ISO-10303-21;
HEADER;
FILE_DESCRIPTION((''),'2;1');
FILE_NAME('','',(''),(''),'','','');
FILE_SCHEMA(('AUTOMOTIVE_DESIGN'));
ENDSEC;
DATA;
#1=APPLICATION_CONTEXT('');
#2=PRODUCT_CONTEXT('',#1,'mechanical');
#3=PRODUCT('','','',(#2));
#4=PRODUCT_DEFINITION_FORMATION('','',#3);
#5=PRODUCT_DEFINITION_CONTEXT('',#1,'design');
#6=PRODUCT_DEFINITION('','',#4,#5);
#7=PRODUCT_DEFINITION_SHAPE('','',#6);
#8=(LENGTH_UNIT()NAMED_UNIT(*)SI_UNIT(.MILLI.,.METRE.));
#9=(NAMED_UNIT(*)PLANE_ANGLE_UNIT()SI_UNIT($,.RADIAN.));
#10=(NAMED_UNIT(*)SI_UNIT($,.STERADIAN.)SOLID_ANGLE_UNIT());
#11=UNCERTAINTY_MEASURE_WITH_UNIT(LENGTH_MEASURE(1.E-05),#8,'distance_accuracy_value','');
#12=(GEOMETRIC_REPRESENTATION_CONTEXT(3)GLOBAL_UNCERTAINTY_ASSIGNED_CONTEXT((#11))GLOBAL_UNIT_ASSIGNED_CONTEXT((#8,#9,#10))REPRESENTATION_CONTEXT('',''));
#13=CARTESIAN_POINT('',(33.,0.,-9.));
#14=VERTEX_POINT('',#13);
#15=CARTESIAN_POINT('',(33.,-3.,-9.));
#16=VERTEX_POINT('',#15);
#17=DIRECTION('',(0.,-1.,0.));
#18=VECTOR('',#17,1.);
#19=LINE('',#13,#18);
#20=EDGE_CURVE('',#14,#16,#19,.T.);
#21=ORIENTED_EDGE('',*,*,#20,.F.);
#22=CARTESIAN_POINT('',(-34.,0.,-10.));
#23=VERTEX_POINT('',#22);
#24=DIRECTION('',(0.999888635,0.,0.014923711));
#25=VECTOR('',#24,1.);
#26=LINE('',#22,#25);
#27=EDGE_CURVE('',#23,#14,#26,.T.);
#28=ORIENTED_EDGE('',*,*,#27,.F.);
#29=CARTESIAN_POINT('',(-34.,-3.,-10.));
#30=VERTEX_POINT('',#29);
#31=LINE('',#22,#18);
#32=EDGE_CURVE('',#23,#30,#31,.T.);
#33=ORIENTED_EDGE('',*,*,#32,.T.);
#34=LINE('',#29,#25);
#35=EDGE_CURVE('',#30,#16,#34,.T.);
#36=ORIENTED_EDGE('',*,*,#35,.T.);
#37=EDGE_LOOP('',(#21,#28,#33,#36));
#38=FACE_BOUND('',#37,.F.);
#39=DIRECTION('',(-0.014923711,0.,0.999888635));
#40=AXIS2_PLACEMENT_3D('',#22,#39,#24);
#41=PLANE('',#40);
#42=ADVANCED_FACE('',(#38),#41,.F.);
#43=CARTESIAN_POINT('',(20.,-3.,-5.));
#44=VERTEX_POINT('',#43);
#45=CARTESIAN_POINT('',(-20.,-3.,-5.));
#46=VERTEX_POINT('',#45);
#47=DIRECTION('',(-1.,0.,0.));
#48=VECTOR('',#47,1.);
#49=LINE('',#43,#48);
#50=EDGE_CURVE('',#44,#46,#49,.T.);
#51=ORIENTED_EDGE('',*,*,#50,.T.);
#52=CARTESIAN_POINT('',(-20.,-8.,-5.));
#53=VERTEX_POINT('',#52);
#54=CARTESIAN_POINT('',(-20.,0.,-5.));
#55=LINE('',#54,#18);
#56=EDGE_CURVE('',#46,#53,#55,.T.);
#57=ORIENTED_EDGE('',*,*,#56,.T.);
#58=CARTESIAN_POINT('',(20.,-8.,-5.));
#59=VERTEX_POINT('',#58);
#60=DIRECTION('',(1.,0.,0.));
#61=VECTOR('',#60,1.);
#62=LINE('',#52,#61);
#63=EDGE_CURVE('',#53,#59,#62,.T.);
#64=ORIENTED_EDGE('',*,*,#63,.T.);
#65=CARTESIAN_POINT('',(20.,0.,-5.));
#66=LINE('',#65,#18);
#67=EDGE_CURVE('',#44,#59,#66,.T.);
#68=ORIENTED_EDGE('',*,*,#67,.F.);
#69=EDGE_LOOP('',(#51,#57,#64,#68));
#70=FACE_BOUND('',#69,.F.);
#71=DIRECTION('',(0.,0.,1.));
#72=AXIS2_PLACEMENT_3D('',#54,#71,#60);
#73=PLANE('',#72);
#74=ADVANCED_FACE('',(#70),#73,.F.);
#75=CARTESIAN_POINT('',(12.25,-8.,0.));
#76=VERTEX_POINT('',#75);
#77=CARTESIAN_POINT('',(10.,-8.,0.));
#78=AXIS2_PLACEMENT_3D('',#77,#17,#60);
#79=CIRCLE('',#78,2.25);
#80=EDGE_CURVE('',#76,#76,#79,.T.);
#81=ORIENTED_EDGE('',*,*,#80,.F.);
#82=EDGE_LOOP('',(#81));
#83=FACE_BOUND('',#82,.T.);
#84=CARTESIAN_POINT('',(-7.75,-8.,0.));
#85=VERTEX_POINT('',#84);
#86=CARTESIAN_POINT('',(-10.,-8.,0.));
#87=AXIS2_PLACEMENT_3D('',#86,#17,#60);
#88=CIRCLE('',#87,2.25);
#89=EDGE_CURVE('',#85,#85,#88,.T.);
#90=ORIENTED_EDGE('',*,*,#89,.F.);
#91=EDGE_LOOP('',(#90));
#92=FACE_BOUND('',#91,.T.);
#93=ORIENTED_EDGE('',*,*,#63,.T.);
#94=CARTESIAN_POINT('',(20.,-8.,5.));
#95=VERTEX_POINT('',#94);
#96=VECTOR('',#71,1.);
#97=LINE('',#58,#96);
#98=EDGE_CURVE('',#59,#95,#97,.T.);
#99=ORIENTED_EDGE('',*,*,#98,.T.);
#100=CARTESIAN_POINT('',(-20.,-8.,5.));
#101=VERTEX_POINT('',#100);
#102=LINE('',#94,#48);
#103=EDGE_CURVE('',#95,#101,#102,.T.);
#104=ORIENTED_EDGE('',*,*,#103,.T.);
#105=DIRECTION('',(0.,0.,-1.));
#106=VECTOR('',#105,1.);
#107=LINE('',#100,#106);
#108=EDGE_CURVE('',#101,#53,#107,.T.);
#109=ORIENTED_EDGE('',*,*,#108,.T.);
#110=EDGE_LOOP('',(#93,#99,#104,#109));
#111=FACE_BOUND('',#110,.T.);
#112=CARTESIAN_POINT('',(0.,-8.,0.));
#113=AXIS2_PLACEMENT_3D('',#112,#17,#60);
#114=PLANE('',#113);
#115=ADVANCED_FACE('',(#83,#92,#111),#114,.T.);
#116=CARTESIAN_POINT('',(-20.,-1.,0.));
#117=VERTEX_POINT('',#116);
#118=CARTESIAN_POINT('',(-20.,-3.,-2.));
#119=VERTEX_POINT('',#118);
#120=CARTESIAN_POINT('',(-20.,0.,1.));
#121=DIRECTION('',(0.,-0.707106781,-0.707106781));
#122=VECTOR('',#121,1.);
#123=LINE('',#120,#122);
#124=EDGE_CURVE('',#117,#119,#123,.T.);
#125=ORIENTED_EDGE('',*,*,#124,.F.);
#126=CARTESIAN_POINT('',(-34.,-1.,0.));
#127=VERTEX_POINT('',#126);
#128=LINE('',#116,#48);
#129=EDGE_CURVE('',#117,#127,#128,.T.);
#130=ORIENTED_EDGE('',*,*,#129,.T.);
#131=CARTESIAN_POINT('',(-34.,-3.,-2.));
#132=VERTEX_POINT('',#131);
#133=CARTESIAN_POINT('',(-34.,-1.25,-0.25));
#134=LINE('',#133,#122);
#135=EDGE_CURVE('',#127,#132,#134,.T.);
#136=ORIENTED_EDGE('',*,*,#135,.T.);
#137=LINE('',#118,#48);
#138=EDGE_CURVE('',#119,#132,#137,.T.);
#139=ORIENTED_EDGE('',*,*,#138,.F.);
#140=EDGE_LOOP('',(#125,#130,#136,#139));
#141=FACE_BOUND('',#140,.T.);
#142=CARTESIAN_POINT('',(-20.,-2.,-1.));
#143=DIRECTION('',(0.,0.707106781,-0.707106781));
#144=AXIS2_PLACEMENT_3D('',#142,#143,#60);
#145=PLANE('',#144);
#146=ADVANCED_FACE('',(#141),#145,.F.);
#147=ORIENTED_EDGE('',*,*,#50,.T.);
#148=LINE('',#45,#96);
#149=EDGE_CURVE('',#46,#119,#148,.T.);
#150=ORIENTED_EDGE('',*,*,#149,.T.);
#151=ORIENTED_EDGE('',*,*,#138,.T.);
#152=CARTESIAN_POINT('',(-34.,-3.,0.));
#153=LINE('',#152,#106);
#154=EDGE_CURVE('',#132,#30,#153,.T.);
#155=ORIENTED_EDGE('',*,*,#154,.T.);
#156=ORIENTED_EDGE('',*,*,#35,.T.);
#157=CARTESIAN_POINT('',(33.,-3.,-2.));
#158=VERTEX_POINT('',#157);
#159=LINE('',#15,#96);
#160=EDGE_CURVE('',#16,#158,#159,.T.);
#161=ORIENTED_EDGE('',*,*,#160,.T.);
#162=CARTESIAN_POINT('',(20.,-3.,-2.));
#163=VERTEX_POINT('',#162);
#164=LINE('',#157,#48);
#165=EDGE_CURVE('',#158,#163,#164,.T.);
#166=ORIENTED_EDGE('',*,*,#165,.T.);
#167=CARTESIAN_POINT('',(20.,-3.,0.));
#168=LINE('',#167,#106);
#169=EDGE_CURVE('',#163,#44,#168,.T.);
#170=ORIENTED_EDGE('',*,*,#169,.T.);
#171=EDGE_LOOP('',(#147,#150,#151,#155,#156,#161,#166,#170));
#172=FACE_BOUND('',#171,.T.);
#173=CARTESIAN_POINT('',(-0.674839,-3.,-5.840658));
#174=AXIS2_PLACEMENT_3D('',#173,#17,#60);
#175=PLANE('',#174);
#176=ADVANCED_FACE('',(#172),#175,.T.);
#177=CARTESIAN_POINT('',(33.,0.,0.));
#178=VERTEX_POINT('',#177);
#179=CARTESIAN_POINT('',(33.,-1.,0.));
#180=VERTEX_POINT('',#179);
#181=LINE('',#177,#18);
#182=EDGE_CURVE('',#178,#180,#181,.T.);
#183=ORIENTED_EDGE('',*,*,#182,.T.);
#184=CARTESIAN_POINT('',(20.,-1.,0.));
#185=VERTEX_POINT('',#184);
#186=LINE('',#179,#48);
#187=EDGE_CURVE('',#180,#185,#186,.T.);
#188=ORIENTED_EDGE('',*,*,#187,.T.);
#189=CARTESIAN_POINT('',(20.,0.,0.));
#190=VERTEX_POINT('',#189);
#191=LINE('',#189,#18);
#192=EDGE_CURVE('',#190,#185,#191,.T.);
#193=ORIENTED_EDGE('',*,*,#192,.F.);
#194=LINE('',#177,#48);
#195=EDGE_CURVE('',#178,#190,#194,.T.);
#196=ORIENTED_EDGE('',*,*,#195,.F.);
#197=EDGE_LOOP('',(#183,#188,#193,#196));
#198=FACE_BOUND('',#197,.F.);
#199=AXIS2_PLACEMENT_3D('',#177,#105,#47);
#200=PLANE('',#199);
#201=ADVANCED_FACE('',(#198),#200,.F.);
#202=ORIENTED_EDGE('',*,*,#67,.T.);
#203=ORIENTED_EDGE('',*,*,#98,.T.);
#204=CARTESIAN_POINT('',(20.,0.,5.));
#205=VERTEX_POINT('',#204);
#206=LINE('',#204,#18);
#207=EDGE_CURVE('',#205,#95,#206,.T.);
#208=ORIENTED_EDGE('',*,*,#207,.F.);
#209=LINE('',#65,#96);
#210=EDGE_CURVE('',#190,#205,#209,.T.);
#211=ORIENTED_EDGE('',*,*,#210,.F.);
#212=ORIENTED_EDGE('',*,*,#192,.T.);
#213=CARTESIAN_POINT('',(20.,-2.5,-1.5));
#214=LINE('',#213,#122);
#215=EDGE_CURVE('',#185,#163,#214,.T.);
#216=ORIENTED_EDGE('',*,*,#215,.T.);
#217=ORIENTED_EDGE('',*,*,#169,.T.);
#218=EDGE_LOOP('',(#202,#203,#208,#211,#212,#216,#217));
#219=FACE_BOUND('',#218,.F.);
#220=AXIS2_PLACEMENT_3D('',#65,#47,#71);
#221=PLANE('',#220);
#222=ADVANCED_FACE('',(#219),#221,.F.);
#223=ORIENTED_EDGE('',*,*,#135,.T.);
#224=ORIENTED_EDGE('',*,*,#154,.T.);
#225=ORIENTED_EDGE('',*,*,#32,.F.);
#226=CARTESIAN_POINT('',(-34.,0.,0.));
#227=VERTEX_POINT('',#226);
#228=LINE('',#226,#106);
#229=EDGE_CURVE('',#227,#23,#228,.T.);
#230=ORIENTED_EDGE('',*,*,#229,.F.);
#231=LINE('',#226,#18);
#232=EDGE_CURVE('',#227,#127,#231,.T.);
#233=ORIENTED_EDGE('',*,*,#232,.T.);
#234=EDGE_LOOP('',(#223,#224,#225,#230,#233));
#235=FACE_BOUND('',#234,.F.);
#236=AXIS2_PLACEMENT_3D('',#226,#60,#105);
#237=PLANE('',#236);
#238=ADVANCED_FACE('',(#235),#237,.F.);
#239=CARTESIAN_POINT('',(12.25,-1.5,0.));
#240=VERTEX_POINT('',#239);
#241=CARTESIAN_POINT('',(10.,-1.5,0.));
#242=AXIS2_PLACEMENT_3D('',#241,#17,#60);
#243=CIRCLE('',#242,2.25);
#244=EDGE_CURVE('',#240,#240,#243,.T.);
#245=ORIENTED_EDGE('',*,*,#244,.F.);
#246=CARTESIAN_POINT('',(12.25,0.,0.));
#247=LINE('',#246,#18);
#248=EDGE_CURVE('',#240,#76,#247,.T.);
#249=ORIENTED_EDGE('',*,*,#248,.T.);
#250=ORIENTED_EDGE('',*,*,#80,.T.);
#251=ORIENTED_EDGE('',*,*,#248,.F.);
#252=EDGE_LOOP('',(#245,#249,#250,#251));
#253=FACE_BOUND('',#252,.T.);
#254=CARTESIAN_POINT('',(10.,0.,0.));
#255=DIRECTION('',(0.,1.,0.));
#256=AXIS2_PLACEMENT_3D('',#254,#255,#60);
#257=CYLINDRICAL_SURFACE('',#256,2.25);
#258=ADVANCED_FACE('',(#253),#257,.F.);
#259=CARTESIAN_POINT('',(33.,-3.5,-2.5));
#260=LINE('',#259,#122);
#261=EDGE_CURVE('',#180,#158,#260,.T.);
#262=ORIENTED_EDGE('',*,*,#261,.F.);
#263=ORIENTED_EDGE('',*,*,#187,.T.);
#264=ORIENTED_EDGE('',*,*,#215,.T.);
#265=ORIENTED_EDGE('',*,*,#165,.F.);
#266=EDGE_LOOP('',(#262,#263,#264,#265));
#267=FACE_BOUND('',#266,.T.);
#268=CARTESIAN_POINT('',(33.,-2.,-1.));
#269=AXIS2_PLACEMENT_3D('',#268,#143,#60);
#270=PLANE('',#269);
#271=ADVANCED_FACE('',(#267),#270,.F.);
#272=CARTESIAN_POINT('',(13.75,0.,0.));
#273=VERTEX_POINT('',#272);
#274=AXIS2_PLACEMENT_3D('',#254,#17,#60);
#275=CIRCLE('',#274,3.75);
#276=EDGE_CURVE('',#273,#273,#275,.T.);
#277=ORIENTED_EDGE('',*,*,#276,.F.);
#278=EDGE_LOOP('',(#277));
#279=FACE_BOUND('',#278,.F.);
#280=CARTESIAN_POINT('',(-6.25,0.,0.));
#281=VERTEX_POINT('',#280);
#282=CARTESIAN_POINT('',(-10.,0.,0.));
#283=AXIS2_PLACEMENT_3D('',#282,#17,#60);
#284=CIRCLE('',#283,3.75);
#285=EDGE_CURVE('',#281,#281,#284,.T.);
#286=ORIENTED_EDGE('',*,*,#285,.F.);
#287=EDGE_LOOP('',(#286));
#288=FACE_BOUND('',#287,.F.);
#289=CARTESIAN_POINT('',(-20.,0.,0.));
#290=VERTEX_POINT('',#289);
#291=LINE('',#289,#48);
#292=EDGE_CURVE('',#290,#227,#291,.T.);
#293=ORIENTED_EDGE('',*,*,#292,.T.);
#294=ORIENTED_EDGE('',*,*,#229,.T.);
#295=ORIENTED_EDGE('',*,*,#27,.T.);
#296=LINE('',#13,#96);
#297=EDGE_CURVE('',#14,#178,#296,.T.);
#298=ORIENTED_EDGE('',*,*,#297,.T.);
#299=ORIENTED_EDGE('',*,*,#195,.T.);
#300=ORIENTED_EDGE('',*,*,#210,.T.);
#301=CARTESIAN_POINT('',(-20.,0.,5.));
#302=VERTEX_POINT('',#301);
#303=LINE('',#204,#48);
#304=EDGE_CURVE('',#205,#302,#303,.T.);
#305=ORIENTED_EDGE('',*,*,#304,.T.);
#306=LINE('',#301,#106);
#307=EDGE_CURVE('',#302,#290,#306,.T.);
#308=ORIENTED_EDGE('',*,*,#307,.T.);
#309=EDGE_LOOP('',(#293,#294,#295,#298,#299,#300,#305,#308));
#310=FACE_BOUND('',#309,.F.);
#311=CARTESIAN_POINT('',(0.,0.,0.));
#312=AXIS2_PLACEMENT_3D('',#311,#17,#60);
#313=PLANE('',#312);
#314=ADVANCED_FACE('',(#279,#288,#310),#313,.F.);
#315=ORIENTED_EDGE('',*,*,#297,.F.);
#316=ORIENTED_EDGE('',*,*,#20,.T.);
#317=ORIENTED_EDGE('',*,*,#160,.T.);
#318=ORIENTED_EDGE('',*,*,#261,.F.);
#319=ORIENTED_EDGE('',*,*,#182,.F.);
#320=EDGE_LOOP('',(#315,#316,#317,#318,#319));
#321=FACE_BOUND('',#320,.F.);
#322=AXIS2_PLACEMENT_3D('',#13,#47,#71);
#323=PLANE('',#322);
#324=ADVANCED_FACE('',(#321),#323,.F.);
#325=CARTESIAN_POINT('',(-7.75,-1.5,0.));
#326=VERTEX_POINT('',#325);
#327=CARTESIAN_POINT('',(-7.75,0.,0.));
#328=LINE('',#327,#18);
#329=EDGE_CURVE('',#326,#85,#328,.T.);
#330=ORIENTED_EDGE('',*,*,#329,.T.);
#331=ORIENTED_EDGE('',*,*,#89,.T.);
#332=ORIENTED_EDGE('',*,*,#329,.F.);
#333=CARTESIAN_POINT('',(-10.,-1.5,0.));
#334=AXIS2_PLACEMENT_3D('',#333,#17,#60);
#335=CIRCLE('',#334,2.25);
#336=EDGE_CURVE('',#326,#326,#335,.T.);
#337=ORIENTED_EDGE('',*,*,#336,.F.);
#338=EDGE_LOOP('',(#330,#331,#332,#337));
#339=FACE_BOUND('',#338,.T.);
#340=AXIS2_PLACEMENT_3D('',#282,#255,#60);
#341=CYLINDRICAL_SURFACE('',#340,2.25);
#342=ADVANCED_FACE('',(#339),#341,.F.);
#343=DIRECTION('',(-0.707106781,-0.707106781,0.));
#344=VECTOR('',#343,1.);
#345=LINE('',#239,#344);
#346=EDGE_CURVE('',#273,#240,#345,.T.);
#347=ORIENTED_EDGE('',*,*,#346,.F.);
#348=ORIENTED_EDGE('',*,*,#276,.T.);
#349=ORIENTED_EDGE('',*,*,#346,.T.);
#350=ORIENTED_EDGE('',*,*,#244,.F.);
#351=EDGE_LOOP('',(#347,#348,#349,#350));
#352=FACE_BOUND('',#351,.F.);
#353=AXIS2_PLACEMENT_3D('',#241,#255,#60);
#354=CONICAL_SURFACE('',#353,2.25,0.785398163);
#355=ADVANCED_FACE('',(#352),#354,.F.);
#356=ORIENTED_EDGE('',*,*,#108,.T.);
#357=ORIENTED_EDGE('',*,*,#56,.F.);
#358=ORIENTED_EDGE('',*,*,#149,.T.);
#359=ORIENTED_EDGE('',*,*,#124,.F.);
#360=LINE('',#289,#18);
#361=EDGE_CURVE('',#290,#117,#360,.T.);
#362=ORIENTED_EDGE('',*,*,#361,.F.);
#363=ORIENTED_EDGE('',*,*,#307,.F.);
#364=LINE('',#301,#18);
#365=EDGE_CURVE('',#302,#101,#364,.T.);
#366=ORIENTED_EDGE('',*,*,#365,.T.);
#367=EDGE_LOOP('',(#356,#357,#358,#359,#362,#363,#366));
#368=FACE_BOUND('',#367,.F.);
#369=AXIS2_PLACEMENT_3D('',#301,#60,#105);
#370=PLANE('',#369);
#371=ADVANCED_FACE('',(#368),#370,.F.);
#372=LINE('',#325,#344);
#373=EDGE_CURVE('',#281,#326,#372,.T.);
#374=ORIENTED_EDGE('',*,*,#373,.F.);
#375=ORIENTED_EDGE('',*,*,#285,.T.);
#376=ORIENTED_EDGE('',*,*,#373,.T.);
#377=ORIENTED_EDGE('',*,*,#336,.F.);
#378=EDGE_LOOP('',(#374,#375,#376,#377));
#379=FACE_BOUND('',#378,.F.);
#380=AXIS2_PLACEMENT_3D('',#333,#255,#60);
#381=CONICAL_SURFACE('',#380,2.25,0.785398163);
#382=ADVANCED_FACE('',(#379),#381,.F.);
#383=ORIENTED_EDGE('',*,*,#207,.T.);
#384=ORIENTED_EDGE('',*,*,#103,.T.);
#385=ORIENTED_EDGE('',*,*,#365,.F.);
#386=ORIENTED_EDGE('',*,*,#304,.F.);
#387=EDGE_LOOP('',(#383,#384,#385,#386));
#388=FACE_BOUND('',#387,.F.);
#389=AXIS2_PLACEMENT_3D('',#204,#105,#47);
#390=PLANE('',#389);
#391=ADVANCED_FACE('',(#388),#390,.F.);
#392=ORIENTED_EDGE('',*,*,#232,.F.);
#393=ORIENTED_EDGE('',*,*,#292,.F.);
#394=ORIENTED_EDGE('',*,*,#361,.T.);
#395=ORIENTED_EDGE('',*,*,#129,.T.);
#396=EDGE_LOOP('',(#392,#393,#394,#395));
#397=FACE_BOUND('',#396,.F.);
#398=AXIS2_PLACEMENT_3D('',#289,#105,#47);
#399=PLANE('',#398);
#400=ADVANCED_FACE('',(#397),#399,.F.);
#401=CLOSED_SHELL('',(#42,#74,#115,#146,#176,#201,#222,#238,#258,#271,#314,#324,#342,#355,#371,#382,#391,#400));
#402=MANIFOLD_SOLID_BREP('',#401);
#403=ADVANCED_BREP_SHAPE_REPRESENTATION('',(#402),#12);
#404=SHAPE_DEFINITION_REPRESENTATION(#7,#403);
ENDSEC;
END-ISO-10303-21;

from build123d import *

# Parameters (mm, degrees)
F1_DEPTH = 3
F0_R     = 2.25
F2_DEPTH = 8
F3_SIZE  = 1.5
F4_SIZE  = 2


with BuildPart() as f1:
    # F0 (on Front) → F1 (new body)
    with BuildSketch(Plane.XZ):
        Polygon((-20, -5), (-20, 0), (-34, 0), (-34, -10), (33, -9), (33, 0), (20, 0), (20, -5), align=None)
    extrude(amount=F1_DEPTH)

    # F0 (on Front) → F2 (join)
    with BuildSketch(Plane.XZ):
        Polygon((20, 5), (-20, 5), (-20, 0), (-20, -5), (20, -5), (20, 0), align=None)
        with Locations((-10, 0)):
            Circle(F0_R, mode=Mode.SUBTRACT)
        with Locations((10, 0)):
            Circle(F0_R, mode=Mode.SUBTRACT)
    extrude(amount=F2_DEPTH)

    # F3
    f3_edges = [f1.edges().sort_by_distance(p)[0] for p in [
        (7.75, 0, 0),
        (-12.25, 0, 0),
    ]]
    chamfer(f3_edges, length=F3_SIZE)

    # F4
    f4_edges = [f1.edges().sort_by_distance(p)[0] for p in [
        (-27, -3, 0),
        (26.5, -3, 0),
    ]]
    chamfer(f4_edges, length=F4_SIZE)


solid = f1.part
